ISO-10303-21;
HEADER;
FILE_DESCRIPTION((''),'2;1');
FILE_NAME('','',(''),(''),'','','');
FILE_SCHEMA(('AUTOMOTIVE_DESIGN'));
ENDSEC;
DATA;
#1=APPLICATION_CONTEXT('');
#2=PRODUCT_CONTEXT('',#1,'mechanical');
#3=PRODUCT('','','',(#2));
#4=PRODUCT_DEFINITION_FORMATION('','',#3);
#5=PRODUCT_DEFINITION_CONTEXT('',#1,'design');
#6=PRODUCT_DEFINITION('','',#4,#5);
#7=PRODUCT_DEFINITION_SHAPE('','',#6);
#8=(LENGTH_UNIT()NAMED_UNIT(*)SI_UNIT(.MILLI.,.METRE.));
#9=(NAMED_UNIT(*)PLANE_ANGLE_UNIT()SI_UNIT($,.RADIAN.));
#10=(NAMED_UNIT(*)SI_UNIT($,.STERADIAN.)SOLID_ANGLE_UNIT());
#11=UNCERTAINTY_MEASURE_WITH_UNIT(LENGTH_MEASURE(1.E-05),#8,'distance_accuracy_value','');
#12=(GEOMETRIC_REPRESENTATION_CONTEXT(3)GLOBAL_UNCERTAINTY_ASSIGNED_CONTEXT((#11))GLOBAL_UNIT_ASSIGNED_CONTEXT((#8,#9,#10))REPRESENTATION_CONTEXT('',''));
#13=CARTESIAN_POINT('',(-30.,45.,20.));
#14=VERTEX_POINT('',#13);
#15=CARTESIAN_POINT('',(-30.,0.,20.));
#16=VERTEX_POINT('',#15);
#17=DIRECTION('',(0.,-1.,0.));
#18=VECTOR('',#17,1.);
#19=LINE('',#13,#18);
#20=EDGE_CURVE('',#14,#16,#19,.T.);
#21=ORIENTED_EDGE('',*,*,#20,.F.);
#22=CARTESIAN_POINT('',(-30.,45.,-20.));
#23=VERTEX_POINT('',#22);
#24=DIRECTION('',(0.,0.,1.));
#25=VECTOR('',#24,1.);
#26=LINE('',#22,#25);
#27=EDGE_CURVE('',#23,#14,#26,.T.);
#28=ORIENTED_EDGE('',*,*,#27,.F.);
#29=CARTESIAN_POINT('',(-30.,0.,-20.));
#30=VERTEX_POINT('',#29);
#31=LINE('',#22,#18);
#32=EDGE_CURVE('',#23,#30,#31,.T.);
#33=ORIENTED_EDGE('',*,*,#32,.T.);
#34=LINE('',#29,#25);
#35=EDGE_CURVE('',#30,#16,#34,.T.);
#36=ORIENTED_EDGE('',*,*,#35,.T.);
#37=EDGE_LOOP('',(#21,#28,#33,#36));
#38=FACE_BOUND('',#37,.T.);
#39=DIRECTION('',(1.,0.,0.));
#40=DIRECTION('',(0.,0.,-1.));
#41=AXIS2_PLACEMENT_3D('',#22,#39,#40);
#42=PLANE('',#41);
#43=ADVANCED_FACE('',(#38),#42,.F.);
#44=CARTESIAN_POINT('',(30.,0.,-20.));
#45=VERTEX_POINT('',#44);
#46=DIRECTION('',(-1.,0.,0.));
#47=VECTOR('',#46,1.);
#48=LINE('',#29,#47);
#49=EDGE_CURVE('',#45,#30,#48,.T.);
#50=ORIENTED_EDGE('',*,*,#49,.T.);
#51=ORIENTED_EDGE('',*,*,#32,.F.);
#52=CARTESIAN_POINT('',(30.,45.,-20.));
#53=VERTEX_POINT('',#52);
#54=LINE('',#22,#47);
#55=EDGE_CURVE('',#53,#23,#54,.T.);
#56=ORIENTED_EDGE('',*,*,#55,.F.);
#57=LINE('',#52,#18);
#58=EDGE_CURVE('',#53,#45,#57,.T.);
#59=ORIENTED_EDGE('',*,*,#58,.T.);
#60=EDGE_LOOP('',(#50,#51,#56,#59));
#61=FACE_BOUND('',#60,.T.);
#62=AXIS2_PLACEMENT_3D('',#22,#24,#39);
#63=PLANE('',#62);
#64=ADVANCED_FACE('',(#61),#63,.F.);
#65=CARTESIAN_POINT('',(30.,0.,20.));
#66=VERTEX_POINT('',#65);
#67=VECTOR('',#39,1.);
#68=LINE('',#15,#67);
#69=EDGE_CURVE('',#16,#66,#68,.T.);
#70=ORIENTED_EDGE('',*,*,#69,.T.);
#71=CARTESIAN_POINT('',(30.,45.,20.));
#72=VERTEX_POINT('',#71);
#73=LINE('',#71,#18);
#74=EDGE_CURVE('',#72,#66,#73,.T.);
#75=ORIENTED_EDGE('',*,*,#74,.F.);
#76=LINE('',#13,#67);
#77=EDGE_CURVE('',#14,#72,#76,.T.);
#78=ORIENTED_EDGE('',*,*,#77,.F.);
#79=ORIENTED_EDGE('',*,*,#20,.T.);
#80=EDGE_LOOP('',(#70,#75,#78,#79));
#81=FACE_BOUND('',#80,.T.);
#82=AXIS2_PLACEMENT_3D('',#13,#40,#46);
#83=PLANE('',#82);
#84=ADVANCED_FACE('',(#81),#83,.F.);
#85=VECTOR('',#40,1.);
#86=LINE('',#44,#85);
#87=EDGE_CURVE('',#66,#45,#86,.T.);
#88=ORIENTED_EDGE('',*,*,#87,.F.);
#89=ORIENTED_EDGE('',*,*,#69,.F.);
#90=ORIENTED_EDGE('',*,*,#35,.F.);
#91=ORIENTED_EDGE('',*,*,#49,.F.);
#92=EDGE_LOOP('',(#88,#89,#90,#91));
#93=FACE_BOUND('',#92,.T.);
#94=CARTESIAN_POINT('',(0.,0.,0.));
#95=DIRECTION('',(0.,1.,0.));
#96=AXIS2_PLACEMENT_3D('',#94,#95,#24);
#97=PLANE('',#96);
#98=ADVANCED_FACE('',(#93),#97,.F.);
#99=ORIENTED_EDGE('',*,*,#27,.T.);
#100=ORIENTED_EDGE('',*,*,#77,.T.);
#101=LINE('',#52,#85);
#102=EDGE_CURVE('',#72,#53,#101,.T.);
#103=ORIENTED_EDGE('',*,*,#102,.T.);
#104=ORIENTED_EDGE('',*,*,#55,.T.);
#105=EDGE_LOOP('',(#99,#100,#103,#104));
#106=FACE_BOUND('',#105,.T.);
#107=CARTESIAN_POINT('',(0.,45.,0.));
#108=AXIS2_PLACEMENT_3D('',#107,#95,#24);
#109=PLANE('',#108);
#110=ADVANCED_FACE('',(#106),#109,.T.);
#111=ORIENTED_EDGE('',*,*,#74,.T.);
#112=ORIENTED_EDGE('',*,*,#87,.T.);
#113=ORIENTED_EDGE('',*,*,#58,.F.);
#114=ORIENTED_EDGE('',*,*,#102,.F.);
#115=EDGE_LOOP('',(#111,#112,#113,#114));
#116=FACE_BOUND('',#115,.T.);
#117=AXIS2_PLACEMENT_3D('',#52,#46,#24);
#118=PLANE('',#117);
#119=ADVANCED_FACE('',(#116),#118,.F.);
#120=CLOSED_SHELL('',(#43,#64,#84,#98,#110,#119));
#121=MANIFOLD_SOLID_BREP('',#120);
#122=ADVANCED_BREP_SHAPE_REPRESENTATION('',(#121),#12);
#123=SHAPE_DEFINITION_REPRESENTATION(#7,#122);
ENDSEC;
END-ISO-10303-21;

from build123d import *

# Parameters (mm, degrees)
SKETCH_1_W      = 60
SKETCH_1_H      = 40
EXTRUDE_1_DEPTH = 45


with BuildPart() as part:
    # 草图1 → 凸台-拉伸1 (new body)
    with BuildSketch(Plane(origin=(0, 0, 0), x_dir=(1, 0, 0), z_dir=(0, 1, 0))):
        Rectangle(SKETCH_1_W, SKETCH_1_H)
    extrude(amount=EXTRUDE_1_DEPTH)


solid = part.part
